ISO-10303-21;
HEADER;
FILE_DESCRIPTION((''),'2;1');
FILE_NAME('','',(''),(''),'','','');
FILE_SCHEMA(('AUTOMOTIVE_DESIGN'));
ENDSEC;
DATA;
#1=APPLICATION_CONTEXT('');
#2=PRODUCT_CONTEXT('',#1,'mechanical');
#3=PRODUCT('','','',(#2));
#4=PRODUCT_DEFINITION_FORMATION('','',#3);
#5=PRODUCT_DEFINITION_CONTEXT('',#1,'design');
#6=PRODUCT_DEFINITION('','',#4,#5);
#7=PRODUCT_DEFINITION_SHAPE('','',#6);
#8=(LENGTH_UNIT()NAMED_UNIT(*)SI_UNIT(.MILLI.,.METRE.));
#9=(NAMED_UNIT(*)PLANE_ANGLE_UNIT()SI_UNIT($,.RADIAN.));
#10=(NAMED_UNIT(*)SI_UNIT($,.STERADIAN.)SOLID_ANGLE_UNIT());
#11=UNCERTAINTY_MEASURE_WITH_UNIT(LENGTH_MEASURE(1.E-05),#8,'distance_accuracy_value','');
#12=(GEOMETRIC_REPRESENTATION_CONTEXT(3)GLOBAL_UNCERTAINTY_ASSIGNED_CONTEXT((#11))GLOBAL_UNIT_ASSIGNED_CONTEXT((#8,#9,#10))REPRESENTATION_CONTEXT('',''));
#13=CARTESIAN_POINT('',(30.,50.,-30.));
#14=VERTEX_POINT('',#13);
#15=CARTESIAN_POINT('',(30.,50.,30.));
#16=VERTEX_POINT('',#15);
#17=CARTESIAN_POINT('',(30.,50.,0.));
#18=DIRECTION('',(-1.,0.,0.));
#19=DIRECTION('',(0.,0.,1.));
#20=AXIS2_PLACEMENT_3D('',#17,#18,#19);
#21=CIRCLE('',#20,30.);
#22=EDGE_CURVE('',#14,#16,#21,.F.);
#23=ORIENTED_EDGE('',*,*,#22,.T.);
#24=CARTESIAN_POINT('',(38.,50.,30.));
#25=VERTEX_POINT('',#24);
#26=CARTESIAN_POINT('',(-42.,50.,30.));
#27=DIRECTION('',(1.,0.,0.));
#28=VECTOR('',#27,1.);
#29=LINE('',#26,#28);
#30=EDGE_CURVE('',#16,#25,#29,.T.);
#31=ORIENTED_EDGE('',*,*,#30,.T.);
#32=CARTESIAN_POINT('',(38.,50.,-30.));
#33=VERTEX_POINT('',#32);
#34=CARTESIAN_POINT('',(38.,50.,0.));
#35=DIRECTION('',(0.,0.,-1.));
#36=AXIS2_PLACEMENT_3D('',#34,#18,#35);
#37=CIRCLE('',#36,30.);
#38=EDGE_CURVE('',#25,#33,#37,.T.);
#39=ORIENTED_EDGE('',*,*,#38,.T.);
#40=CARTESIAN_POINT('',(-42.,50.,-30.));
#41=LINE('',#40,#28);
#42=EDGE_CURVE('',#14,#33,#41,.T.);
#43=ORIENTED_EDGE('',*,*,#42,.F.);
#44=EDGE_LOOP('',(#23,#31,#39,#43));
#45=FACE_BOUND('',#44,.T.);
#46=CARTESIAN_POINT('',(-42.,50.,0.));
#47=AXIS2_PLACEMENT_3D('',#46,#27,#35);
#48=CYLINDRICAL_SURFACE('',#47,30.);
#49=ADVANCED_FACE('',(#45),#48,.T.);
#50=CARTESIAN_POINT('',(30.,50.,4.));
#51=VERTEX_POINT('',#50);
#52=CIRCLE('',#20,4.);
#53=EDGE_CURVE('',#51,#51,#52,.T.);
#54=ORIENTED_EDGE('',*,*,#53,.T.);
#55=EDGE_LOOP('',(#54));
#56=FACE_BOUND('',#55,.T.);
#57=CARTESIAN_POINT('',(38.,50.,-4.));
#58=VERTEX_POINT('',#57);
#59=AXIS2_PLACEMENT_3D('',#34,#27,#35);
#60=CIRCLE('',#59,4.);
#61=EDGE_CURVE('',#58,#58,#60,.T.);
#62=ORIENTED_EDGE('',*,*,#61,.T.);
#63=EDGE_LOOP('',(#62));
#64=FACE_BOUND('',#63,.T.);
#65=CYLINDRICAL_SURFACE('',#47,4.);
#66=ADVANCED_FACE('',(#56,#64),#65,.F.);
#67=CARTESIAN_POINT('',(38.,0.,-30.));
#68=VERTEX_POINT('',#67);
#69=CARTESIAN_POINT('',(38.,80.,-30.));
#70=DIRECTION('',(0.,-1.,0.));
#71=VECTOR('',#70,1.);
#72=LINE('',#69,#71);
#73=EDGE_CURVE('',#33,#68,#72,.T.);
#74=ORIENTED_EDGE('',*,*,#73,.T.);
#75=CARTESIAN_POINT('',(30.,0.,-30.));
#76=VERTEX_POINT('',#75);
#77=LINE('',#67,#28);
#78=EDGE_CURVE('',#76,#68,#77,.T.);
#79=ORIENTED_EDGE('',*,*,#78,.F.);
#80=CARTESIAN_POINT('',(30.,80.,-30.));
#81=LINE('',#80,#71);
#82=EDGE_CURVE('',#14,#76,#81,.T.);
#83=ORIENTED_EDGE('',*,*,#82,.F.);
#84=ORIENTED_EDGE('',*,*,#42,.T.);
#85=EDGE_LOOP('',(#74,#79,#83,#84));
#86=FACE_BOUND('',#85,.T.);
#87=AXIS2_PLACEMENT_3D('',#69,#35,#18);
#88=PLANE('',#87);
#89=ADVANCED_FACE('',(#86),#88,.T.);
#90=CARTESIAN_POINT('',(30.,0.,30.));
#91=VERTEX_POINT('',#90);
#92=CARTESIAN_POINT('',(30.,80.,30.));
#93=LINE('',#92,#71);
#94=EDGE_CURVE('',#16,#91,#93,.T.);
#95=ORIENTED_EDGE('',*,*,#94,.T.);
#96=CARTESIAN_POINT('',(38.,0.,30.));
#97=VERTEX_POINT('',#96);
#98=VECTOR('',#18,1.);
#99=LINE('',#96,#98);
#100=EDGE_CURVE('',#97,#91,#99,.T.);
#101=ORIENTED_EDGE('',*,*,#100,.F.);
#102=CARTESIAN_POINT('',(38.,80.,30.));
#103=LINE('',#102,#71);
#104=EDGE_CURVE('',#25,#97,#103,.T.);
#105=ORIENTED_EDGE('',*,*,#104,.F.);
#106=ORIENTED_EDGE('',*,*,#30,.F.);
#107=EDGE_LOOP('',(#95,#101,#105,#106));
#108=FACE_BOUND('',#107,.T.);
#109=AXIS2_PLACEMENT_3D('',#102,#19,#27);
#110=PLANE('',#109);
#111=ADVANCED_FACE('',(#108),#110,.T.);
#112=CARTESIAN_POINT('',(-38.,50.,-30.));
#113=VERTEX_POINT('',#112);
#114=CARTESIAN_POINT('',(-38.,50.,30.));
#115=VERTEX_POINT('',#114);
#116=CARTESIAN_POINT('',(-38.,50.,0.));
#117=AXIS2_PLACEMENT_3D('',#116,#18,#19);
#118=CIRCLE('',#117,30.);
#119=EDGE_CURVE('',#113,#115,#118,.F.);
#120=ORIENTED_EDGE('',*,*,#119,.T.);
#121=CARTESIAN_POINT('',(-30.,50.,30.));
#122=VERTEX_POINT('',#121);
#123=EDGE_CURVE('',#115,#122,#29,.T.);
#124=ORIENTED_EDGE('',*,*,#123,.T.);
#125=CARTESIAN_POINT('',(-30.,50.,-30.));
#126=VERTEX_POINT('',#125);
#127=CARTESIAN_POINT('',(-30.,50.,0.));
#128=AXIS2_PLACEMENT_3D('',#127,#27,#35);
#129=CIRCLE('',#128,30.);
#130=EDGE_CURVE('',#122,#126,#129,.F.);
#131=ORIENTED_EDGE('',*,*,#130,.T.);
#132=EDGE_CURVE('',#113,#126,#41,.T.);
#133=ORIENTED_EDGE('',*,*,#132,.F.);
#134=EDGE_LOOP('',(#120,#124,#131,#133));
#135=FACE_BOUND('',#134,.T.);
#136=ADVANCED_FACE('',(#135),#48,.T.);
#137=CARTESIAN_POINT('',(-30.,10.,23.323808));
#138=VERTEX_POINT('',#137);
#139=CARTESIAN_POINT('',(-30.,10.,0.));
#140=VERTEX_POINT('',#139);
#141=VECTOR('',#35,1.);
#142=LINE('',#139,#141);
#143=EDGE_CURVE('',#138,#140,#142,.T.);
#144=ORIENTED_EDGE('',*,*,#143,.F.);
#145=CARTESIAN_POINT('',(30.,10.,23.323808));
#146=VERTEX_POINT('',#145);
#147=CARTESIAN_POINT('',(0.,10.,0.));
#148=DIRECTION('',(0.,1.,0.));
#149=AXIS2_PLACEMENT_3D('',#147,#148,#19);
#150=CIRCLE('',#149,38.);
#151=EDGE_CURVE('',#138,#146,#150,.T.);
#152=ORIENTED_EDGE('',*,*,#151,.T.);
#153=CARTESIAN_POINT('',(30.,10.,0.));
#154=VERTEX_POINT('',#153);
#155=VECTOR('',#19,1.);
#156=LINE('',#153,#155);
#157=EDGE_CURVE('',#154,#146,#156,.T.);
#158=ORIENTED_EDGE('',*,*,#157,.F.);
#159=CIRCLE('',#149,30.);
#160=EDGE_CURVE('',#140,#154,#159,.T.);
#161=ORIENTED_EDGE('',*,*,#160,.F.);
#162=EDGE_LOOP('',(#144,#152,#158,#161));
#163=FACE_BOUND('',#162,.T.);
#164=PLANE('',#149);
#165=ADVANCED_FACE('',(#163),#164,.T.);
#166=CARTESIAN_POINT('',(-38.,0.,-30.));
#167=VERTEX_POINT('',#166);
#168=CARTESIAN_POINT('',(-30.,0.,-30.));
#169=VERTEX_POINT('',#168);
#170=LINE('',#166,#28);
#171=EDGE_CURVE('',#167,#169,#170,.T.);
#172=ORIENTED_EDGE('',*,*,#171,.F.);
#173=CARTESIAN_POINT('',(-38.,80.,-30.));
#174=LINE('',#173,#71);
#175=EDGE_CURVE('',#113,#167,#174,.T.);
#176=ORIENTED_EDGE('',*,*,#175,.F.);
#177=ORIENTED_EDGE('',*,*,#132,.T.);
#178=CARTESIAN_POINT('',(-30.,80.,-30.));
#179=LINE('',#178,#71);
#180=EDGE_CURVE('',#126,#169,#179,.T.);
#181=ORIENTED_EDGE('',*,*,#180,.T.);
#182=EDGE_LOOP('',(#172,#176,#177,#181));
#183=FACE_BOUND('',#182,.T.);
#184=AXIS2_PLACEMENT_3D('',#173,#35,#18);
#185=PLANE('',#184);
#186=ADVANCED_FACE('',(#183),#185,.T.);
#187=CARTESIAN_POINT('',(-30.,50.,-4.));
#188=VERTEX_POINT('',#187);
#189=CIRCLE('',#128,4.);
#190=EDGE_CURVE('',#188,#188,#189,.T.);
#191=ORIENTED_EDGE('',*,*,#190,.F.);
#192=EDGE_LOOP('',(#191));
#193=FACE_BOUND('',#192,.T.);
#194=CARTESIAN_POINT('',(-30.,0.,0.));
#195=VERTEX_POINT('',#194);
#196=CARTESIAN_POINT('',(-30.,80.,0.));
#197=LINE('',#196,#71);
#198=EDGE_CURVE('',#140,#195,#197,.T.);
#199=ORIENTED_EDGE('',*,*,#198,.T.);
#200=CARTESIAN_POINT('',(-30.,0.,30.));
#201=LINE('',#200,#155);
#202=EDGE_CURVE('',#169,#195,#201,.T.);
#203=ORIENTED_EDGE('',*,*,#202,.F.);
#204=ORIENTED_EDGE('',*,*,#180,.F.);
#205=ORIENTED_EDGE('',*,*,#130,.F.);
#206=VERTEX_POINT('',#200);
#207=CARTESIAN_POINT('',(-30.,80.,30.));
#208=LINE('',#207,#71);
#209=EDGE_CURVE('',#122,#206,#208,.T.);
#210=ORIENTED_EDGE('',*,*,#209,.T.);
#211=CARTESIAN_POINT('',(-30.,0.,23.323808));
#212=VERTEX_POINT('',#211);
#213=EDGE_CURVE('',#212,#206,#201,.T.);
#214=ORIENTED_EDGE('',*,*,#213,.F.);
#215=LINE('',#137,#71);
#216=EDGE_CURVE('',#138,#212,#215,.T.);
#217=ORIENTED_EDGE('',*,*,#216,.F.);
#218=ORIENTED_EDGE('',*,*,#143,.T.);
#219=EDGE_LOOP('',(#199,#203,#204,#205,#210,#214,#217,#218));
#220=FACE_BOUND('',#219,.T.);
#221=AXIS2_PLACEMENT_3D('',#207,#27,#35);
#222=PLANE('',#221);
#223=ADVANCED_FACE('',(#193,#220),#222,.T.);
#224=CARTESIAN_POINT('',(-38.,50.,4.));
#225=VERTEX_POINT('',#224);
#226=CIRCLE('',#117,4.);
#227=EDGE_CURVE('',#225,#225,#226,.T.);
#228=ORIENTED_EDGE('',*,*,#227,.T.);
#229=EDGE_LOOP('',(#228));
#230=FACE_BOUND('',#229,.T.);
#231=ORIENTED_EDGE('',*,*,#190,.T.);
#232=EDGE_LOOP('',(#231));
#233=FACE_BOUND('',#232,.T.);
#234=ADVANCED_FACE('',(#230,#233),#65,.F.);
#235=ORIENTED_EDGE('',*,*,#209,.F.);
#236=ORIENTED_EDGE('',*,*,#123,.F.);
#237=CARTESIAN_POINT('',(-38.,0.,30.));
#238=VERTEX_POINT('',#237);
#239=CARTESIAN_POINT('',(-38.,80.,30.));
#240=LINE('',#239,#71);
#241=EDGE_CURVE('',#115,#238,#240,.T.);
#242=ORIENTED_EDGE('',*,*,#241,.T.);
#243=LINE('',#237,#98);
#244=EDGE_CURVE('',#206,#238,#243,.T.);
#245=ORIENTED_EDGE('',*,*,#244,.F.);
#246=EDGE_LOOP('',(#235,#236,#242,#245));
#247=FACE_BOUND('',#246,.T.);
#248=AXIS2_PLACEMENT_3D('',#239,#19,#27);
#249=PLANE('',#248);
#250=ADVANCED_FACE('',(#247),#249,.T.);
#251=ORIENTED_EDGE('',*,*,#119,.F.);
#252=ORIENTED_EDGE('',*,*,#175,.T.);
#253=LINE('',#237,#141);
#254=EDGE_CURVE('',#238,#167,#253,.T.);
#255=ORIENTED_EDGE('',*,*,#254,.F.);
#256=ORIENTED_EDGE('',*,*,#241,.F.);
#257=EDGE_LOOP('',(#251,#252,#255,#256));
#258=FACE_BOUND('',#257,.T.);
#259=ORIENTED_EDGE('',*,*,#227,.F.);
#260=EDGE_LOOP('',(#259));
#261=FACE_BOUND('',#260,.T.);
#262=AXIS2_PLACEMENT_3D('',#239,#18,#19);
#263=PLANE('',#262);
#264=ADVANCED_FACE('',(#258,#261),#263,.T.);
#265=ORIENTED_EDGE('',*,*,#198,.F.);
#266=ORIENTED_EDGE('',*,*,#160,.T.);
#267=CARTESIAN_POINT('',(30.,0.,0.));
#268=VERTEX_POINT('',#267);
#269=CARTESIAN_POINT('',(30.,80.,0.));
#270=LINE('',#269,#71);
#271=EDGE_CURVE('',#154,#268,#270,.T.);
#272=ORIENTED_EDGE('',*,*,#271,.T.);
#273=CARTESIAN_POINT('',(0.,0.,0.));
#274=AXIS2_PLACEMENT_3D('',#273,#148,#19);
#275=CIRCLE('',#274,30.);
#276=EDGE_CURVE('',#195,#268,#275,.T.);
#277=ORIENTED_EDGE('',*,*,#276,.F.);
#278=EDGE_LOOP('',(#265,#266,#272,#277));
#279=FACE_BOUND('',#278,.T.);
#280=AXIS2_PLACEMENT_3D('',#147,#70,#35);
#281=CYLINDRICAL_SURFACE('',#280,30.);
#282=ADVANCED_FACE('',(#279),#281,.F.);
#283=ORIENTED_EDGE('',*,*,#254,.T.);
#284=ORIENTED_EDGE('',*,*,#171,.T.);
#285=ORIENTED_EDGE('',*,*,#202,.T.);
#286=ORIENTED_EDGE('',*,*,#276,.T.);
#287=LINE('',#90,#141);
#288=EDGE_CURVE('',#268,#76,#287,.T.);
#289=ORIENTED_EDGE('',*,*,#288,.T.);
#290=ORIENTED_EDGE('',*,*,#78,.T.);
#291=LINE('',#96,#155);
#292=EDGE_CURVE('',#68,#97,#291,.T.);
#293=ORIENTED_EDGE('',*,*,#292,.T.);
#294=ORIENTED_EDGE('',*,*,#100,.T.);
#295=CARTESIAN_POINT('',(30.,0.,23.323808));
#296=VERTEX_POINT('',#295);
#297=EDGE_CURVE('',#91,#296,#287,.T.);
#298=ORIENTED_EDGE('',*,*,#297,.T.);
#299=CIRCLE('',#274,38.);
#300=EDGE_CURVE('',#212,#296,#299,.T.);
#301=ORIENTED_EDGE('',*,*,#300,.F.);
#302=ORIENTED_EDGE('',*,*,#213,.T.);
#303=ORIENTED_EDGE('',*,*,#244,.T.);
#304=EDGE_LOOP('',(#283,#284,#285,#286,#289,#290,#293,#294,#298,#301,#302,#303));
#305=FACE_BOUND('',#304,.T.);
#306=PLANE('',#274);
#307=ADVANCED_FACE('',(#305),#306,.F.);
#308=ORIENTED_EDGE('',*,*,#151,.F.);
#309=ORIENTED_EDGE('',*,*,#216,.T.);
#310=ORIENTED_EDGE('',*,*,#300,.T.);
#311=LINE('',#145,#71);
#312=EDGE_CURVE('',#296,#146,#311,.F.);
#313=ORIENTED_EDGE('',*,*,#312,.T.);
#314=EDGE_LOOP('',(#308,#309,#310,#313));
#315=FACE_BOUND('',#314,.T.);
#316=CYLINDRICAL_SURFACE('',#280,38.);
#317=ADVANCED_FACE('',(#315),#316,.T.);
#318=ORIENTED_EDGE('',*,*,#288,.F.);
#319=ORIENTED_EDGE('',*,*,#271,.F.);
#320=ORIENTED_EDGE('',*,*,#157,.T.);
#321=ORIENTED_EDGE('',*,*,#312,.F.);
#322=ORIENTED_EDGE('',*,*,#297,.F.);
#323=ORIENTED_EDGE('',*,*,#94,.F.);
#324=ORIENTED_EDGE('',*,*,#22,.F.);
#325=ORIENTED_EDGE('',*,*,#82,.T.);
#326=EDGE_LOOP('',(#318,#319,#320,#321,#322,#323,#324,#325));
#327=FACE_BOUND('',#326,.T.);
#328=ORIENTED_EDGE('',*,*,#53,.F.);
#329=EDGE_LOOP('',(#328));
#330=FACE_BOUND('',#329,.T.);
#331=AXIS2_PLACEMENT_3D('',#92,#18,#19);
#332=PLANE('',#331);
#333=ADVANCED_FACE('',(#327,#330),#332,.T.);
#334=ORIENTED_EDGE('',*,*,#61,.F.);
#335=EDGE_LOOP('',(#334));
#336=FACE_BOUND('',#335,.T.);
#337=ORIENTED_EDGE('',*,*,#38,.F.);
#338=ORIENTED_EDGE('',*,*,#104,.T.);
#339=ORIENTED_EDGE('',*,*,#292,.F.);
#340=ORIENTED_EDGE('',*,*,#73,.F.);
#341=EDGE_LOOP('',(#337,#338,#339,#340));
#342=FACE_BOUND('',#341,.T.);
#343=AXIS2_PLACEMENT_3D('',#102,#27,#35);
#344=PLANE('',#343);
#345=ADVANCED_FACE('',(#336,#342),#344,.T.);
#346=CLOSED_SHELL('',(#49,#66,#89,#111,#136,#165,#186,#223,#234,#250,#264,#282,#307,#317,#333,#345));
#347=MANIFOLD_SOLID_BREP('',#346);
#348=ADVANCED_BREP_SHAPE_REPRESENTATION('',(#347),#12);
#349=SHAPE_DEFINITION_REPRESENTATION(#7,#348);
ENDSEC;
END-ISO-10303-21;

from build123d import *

# Parameters (mm, degrees)
SKETCH_1_R          = 38
SKETCH_1_R_2        = 30
EXTRUDE_1_DEPTH     = 10
SKETCH_2_W          = 8
SKETCH_2_H          = 60
EXTRUDE_2_DEPTH     = 80
SKETCH_3_R          = 4
CUT_EXTRUDE_1_DEPTH = 80
SKETCH_4_W          = 60
SKETCH_4_H          = 40.678120155
CUT_EXTRUDE_2_DEPTH = 97.374270425


with BuildPart() as part:
    # 草图1 → 凸台-拉伸1 (new body)
    with BuildSketch(Plane(origin=(0, 0, 0), x_dir=(1, 0, 0), z_dir=(0, 1, 0))):
        with Locations(Location((0, 0, 0), (0, 0, 270))):
            Circle(SKETCH_1_R)
        with Locations(Location((0, 0, 0), (0, 0, 270))):
            Circle(SKETCH_1_R_2, mode=Mode.SUBTRACT)
    extrude(amount=EXTRUDE_1_DEPTH)

    # 草图2 → 凸台-拉伸2 (add)
    with BuildSketch(Plane.XZ):
        with Locations((-34, 0)):
            Rectangle(SKETCH_2_W, SKETCH_2_H)
        with Locations((34, 0)):
            Rectangle(SKETCH_2_W, SKETCH_2_H)
    extrude(amount=-EXTRUDE_2_DEPTH)

    # 草图3 → 切除-拉伸1 (cut)
    with BuildSketch(Plane(origin=(38, 0, 0), x_dir=(0, 0, -1), z_dir=(1, 0, 0))):
        with Locations((0, 50)):
            Circle(SKETCH_3_R)
        with BuildLine():
            Line((-30, 50), (-30, 88))
            Line((-30, 88), (30, 88))
            Line((30, 88), (30, 50))
            ThreePointArc((30, 50), (0, 80), (-30, 50))
        make_face()
    extrude(amount=-CUT_EXTRUDE_1_DEPTH, mode=Mode.SUBTRACT)

    # 草图4 → 切除-拉伸2 (cut, through all)
    with BuildSketch(Plane.XZ):
        with Locations((0, -20.339060078)):
            Rectangle(SKETCH_4_W, SKETCH_4_H)
    extrude(amount=-CUT_EXTRUDE_2_DEPTH, mode=Mode.SUBTRACT)


solid = part.part
